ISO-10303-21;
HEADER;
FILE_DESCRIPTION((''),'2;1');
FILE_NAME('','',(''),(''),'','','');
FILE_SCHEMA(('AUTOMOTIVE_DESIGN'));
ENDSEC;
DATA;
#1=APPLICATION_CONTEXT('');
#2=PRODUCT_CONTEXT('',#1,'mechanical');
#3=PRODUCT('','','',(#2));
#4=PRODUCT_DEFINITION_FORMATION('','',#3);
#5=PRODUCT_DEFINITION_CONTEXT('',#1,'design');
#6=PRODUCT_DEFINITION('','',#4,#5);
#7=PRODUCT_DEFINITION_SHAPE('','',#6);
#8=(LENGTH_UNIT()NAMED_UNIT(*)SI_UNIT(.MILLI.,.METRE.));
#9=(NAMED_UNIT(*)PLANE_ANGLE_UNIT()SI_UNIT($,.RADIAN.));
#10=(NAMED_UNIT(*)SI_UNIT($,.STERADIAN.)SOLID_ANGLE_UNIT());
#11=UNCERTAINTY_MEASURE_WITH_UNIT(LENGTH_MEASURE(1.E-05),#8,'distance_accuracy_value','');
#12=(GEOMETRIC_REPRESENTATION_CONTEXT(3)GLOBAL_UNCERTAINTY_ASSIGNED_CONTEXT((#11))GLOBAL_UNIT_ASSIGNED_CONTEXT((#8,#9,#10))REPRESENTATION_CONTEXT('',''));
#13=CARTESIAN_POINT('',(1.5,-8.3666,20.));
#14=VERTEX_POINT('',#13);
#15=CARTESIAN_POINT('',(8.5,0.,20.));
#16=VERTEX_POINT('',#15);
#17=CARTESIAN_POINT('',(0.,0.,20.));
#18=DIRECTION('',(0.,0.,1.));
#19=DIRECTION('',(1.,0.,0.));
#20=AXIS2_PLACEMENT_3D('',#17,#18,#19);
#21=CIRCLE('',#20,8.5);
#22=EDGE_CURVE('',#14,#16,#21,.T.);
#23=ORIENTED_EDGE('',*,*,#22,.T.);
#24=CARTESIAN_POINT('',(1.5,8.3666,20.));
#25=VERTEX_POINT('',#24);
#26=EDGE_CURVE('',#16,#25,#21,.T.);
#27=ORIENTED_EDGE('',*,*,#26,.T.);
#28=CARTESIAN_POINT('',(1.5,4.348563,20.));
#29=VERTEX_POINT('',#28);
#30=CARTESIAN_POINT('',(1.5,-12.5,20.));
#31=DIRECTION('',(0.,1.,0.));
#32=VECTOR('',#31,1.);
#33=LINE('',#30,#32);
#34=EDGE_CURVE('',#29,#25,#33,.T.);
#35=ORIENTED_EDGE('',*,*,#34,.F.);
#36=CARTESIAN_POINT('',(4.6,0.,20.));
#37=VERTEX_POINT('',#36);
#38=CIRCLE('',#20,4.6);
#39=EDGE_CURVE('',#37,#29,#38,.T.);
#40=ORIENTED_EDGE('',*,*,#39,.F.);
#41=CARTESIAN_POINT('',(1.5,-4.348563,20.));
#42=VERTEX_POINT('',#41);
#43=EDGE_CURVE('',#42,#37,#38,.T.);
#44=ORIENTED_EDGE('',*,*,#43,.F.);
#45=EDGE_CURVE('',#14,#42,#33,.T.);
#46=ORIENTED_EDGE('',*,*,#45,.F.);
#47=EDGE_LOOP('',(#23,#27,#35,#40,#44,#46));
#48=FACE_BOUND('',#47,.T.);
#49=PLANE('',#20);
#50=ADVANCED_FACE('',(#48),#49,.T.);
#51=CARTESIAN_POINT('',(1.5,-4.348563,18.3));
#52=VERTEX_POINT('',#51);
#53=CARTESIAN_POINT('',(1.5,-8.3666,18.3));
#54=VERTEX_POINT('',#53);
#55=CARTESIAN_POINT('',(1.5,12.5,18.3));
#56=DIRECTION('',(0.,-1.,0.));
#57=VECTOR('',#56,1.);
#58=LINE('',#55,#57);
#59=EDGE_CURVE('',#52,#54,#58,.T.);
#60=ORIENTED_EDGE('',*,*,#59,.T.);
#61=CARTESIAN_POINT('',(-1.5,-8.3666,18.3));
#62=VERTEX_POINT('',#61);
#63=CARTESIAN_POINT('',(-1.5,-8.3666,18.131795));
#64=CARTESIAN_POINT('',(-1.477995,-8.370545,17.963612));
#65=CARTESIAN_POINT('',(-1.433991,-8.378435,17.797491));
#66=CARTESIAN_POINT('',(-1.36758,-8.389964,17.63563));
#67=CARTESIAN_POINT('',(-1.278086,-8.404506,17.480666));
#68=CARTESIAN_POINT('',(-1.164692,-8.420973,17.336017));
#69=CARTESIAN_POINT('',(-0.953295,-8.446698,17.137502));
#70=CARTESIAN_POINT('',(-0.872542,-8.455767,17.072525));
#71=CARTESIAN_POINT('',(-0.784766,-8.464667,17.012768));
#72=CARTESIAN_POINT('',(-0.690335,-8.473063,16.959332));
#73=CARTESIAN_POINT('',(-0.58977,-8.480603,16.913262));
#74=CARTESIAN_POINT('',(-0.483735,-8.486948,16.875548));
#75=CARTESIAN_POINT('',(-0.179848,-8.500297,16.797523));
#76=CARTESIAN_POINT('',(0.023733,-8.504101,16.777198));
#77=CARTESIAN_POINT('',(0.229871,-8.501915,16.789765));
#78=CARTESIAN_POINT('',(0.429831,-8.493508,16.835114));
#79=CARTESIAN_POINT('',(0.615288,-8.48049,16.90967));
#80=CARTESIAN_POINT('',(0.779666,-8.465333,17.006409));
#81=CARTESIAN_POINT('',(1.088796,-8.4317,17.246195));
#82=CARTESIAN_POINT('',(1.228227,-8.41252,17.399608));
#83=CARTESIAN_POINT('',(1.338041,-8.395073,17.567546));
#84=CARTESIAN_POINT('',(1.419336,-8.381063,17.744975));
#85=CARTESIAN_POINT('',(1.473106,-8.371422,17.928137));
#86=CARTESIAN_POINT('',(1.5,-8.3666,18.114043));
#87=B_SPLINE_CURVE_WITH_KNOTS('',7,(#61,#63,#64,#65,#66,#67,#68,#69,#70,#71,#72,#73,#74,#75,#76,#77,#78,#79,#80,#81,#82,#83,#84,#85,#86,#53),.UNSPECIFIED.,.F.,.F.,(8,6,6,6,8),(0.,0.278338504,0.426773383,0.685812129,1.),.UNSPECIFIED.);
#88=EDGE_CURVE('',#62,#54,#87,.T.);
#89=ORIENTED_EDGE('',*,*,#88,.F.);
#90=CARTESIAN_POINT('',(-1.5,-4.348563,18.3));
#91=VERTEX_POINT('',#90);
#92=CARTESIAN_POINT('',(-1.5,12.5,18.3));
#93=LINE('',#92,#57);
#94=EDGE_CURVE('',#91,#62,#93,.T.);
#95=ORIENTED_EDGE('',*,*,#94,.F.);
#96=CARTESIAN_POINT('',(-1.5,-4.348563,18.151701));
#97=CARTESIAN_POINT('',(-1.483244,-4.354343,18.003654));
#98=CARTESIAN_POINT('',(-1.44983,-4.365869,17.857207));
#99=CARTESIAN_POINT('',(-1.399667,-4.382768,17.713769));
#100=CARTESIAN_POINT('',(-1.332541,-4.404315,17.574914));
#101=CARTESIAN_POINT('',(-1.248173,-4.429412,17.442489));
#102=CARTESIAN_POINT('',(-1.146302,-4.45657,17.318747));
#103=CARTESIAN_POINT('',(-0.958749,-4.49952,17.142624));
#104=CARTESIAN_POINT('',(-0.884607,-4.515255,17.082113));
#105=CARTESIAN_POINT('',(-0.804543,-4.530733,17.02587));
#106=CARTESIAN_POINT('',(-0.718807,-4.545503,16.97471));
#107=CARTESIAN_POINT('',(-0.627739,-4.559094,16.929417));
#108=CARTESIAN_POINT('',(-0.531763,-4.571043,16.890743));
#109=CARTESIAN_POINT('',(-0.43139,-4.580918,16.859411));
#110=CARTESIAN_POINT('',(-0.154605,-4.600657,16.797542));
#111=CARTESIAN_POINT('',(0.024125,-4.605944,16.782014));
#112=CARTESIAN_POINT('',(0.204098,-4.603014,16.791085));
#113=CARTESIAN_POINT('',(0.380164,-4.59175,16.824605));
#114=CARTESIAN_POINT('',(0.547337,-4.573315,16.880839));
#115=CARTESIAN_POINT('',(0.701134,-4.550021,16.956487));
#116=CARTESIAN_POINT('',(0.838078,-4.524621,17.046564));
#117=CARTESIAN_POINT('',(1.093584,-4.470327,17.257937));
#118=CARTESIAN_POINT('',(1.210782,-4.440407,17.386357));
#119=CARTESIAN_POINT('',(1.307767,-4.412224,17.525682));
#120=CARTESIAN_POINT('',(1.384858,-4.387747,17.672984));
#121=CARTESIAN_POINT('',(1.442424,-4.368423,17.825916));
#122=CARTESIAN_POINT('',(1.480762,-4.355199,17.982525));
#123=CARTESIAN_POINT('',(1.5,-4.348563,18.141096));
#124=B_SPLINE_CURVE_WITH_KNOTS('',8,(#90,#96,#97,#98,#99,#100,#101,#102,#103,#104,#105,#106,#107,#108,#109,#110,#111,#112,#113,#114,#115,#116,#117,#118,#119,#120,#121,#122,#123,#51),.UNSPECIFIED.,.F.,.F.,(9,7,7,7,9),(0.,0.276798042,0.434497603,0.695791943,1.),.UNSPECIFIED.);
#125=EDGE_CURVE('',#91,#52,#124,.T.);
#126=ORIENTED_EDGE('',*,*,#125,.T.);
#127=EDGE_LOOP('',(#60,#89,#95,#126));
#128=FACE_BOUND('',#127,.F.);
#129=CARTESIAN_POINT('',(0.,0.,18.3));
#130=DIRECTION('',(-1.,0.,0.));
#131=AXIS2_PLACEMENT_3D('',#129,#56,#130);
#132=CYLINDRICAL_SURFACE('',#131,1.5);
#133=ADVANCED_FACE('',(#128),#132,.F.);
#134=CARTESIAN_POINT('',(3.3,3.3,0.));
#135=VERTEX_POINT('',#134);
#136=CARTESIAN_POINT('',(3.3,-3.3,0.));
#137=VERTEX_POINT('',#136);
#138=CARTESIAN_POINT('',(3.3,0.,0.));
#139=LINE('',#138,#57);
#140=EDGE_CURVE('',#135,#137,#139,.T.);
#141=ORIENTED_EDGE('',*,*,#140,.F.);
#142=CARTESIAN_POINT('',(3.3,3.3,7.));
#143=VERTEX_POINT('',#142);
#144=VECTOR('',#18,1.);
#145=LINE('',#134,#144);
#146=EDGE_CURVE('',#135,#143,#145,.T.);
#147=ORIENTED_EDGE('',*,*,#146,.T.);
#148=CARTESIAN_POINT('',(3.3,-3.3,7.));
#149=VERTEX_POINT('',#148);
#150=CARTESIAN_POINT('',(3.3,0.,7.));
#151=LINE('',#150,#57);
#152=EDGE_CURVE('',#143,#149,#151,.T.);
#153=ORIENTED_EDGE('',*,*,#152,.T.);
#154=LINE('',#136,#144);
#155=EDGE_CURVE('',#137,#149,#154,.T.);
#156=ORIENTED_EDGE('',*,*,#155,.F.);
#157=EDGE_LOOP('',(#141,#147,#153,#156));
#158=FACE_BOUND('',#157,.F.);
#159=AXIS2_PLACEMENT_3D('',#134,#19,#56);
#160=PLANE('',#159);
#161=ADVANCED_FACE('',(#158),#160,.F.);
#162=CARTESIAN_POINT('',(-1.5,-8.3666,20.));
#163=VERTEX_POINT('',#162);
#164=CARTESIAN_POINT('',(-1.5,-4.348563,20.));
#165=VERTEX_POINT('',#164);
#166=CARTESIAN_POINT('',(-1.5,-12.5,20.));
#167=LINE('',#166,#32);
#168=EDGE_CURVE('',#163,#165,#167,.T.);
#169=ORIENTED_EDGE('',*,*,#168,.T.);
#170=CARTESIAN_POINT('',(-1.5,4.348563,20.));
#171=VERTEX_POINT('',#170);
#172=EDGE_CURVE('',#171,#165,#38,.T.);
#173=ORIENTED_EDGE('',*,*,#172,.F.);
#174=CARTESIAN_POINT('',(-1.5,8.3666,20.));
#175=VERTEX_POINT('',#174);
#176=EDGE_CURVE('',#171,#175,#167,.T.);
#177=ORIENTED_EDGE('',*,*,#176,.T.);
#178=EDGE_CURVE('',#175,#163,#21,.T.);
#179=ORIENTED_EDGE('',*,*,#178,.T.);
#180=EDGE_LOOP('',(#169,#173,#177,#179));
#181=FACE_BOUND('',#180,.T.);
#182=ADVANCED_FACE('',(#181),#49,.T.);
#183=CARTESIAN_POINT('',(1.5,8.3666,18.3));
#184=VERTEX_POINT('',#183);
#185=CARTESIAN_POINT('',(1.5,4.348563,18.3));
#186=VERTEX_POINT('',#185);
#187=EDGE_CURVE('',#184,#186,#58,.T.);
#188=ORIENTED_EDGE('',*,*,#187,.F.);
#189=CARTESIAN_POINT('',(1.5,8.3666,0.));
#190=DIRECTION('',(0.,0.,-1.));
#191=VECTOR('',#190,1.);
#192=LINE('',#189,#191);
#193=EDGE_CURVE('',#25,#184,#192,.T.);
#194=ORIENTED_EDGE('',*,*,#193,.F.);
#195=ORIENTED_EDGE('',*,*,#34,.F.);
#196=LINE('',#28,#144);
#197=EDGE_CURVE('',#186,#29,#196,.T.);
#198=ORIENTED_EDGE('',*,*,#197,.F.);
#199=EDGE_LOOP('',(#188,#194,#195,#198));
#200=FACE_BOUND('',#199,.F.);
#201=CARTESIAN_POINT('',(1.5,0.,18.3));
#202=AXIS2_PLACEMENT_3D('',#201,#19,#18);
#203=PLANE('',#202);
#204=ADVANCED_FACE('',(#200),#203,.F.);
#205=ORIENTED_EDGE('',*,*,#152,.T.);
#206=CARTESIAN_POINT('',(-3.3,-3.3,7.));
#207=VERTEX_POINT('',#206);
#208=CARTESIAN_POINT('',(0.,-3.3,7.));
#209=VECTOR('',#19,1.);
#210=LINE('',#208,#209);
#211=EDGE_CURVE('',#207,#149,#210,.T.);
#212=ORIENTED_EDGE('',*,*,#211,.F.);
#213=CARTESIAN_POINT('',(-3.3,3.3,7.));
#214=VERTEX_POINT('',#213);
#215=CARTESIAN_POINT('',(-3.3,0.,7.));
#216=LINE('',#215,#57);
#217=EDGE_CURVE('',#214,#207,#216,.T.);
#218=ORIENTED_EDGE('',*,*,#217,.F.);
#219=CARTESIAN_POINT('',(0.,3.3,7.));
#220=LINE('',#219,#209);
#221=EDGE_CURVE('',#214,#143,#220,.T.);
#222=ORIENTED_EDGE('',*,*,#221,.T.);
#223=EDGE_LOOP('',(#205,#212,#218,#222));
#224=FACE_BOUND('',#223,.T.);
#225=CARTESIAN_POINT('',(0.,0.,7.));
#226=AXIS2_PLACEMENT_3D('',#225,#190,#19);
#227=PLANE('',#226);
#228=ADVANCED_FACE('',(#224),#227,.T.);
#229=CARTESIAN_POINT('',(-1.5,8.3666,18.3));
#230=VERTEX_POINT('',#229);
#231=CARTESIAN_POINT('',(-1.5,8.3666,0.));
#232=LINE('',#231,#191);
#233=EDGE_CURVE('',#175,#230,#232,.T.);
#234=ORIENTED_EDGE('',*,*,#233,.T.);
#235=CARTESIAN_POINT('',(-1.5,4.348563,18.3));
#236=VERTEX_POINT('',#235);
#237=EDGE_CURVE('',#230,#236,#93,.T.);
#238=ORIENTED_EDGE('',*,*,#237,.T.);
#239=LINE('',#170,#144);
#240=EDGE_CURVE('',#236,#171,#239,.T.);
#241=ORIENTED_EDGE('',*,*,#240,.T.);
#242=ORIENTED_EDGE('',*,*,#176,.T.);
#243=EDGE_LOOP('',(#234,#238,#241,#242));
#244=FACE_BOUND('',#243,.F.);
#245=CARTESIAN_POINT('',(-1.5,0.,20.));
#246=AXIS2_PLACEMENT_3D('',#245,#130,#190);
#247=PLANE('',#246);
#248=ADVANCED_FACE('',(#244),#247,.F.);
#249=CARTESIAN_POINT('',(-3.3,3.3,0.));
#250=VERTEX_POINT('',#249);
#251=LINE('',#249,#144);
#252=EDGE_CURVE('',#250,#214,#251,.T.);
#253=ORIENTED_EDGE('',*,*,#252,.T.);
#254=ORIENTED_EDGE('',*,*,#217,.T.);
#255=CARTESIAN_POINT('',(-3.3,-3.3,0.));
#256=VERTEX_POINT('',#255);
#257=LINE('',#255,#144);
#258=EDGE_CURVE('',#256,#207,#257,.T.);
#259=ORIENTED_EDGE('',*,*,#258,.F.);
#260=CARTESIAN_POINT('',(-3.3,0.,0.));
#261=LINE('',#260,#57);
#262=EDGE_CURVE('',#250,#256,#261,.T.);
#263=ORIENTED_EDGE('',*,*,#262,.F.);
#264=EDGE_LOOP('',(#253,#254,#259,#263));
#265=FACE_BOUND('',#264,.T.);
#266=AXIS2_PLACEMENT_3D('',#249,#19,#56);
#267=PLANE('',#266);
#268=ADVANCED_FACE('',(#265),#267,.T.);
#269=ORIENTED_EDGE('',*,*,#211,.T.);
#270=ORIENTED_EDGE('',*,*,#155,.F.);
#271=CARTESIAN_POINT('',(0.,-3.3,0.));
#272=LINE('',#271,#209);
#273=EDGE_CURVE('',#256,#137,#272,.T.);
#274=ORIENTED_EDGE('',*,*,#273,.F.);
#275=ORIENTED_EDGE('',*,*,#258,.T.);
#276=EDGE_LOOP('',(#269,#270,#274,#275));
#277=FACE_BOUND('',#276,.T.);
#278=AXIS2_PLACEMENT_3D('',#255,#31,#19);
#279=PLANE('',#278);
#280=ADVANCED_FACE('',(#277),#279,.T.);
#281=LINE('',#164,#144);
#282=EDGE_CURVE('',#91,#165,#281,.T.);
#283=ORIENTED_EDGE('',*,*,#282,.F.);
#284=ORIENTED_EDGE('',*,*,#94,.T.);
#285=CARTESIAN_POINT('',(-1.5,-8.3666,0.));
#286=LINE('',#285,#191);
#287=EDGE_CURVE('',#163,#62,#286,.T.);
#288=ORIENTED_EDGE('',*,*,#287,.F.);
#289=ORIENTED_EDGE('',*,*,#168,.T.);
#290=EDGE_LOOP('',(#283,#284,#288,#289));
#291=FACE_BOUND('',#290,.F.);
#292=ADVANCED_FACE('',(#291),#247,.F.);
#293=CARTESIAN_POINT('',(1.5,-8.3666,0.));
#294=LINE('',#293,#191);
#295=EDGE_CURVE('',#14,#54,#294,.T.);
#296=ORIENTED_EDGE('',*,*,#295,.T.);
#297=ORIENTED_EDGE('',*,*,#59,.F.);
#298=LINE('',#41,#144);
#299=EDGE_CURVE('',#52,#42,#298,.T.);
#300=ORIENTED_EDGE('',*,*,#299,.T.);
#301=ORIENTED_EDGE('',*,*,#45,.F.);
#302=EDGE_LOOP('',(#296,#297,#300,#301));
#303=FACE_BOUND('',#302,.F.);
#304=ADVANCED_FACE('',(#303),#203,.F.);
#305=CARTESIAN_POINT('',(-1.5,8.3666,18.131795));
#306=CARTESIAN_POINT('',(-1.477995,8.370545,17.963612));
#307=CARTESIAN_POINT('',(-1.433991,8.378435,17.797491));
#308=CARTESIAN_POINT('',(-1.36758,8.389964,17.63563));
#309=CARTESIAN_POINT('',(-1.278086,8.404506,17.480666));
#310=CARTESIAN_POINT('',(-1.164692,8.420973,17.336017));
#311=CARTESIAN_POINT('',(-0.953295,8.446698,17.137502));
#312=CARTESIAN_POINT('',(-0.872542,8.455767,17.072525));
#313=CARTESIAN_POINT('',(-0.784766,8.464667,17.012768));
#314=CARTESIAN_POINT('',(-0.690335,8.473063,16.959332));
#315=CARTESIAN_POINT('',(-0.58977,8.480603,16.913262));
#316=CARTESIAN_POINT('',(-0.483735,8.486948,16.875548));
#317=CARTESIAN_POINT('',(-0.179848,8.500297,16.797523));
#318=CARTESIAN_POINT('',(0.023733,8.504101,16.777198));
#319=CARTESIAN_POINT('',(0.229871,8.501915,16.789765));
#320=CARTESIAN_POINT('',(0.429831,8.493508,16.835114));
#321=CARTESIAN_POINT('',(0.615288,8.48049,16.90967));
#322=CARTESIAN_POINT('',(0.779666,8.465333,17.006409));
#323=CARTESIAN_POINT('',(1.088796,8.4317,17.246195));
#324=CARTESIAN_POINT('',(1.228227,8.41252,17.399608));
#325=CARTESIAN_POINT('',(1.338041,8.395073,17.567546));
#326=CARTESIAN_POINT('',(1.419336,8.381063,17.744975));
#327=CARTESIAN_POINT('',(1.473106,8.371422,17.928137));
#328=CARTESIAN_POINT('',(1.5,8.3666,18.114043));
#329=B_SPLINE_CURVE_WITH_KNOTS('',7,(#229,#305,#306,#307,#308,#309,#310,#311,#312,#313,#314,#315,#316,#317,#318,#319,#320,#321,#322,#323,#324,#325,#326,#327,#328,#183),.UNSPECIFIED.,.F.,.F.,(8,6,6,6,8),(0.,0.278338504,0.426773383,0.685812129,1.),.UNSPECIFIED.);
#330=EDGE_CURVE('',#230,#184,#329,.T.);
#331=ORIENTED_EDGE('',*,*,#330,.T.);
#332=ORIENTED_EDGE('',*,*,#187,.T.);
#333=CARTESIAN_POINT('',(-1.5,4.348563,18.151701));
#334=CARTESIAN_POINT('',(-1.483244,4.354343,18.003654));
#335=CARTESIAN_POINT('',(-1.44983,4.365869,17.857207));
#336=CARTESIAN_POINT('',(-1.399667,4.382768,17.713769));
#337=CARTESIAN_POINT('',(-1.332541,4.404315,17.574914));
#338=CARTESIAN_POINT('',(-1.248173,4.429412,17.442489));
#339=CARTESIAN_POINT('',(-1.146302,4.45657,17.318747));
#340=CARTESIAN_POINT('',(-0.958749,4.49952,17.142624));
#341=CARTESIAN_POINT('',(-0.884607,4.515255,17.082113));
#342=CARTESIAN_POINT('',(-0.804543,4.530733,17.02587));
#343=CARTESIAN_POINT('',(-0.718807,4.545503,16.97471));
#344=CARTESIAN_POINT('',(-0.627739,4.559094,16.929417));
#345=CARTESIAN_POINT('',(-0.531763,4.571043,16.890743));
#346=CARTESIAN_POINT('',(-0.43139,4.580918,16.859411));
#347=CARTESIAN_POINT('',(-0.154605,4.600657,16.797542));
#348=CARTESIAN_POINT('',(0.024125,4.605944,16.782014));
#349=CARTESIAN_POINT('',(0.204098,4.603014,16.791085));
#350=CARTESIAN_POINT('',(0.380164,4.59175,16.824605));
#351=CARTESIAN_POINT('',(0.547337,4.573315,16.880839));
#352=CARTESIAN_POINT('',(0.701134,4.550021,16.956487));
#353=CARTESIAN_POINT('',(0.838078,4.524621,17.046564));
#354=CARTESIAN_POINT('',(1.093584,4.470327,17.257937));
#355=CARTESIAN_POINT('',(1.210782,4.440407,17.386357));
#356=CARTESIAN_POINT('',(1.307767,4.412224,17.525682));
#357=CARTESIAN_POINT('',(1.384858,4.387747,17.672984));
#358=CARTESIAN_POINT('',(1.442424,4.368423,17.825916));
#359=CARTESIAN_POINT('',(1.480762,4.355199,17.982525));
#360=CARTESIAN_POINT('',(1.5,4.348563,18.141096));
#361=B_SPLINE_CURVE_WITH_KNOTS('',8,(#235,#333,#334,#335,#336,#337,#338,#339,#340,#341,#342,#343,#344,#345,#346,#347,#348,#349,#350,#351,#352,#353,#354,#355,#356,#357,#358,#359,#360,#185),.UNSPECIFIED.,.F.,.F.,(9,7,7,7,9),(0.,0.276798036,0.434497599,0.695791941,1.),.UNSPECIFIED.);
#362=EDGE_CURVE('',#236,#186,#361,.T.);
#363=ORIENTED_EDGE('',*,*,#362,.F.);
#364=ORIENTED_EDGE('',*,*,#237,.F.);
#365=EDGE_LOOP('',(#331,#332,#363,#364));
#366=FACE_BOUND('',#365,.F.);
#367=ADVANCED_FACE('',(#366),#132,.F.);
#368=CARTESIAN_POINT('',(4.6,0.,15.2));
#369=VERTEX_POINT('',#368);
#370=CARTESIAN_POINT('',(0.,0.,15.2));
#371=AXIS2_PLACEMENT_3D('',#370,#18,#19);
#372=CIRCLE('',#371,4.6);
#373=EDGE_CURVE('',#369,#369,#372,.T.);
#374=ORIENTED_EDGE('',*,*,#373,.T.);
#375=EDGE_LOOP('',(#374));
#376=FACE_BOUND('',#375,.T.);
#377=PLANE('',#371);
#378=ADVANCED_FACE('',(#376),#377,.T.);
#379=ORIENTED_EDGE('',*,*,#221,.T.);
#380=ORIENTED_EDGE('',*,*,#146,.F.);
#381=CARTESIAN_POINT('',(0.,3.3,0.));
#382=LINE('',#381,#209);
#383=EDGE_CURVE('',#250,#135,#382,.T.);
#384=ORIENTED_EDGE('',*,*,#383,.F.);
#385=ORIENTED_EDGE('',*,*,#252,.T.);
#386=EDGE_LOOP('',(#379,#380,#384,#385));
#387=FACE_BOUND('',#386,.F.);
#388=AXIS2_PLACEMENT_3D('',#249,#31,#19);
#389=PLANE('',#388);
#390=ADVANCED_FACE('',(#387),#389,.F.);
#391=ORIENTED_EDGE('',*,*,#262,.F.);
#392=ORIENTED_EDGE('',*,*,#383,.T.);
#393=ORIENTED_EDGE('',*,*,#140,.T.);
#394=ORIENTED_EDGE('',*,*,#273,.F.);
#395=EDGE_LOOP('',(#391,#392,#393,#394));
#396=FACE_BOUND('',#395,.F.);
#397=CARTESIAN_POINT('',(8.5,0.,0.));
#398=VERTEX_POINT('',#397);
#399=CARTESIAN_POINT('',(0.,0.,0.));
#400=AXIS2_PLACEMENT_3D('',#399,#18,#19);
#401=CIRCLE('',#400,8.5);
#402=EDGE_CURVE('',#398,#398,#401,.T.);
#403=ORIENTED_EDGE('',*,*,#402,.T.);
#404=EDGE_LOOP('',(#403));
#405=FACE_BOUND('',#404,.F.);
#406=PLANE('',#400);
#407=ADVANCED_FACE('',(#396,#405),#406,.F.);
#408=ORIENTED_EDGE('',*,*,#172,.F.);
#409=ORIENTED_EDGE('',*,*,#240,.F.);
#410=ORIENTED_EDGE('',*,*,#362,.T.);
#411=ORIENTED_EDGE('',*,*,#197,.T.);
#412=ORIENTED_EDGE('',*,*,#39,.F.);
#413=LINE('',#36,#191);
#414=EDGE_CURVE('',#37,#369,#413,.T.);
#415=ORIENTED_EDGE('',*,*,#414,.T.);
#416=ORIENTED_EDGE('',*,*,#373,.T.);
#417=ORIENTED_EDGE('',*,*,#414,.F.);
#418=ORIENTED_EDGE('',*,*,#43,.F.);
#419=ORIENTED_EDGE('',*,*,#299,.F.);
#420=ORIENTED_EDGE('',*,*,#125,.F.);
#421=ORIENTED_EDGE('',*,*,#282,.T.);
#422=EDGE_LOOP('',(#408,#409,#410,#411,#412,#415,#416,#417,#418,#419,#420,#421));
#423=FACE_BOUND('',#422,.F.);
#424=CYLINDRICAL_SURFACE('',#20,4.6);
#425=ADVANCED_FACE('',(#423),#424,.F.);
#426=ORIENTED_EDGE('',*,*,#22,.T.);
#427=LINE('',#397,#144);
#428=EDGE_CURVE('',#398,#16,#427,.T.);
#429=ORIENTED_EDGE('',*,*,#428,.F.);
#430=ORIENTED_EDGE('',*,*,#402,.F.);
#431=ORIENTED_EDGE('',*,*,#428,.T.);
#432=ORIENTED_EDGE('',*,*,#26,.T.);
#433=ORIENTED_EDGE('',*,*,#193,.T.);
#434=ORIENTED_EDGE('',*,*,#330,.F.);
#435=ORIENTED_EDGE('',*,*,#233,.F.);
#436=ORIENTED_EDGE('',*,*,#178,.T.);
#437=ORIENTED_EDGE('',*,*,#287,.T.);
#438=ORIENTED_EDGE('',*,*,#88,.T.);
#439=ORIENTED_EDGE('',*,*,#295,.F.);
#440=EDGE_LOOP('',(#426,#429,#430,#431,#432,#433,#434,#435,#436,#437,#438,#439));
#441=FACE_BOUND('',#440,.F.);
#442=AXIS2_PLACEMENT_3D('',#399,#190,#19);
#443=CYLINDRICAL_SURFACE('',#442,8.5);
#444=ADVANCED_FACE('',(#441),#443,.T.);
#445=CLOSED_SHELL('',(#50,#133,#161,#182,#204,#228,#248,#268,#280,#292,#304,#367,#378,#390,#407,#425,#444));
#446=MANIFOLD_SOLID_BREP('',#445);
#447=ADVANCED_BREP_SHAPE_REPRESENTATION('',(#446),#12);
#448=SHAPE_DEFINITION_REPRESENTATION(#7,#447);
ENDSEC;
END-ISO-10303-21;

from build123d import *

# Parameters (mm, degrees)
F0_R     = 8.5
F1_DEPTH = 20
F2_R     = 4.6
F3_DEPTH = 4.8
F5_DEPTH = 12.5
F6_W     = 6.6
F6_H     = 6.6
F7_DEPTH = 7


with BuildPart() as f1:
    # F0 (on Top) → F1 (new body)
    with BuildSketch(Plane.XY):
        Circle(F0_R)
    extrude(amount=F1_DEPTH)

    # F2 (on face) → F3 (cut)
    with BuildSketch(Plane.XY.offset(20)):
        Circle(F2_R)
    extrude(amount=-F3_DEPTH, mode=Mode.SUBTRACT)

    # F4 (on Front) → F5 (cut, symmetric)
    with BuildSketch(Plane.XZ):
        with BuildLine():
            Line((-1.5, 20), (-1.5, 18.3))
            ThreePointArc((-1.5, 18.3), (0, 16.8), (1.5, 18.3))
            Line((1.5, 18.3), (1.5, 20))
            Line((1.5, 20), (-1.5, 20))
        make_face()
    extrude(amount=F5_DEPTH, both=True, mode=Mode.SUBTRACT)

    # F6 (on face) → F7 (cut)
    with BuildSketch(Plane(origin=(0, 0, 0), x_dir=(1, 0, 0), z_dir=(0, 0, -1))):
        Rectangle(F6_W, F6_H)
    extrude(amount=-F7_DEPTH, mode=Mode.SUBTRACT)


solid = f1.part
